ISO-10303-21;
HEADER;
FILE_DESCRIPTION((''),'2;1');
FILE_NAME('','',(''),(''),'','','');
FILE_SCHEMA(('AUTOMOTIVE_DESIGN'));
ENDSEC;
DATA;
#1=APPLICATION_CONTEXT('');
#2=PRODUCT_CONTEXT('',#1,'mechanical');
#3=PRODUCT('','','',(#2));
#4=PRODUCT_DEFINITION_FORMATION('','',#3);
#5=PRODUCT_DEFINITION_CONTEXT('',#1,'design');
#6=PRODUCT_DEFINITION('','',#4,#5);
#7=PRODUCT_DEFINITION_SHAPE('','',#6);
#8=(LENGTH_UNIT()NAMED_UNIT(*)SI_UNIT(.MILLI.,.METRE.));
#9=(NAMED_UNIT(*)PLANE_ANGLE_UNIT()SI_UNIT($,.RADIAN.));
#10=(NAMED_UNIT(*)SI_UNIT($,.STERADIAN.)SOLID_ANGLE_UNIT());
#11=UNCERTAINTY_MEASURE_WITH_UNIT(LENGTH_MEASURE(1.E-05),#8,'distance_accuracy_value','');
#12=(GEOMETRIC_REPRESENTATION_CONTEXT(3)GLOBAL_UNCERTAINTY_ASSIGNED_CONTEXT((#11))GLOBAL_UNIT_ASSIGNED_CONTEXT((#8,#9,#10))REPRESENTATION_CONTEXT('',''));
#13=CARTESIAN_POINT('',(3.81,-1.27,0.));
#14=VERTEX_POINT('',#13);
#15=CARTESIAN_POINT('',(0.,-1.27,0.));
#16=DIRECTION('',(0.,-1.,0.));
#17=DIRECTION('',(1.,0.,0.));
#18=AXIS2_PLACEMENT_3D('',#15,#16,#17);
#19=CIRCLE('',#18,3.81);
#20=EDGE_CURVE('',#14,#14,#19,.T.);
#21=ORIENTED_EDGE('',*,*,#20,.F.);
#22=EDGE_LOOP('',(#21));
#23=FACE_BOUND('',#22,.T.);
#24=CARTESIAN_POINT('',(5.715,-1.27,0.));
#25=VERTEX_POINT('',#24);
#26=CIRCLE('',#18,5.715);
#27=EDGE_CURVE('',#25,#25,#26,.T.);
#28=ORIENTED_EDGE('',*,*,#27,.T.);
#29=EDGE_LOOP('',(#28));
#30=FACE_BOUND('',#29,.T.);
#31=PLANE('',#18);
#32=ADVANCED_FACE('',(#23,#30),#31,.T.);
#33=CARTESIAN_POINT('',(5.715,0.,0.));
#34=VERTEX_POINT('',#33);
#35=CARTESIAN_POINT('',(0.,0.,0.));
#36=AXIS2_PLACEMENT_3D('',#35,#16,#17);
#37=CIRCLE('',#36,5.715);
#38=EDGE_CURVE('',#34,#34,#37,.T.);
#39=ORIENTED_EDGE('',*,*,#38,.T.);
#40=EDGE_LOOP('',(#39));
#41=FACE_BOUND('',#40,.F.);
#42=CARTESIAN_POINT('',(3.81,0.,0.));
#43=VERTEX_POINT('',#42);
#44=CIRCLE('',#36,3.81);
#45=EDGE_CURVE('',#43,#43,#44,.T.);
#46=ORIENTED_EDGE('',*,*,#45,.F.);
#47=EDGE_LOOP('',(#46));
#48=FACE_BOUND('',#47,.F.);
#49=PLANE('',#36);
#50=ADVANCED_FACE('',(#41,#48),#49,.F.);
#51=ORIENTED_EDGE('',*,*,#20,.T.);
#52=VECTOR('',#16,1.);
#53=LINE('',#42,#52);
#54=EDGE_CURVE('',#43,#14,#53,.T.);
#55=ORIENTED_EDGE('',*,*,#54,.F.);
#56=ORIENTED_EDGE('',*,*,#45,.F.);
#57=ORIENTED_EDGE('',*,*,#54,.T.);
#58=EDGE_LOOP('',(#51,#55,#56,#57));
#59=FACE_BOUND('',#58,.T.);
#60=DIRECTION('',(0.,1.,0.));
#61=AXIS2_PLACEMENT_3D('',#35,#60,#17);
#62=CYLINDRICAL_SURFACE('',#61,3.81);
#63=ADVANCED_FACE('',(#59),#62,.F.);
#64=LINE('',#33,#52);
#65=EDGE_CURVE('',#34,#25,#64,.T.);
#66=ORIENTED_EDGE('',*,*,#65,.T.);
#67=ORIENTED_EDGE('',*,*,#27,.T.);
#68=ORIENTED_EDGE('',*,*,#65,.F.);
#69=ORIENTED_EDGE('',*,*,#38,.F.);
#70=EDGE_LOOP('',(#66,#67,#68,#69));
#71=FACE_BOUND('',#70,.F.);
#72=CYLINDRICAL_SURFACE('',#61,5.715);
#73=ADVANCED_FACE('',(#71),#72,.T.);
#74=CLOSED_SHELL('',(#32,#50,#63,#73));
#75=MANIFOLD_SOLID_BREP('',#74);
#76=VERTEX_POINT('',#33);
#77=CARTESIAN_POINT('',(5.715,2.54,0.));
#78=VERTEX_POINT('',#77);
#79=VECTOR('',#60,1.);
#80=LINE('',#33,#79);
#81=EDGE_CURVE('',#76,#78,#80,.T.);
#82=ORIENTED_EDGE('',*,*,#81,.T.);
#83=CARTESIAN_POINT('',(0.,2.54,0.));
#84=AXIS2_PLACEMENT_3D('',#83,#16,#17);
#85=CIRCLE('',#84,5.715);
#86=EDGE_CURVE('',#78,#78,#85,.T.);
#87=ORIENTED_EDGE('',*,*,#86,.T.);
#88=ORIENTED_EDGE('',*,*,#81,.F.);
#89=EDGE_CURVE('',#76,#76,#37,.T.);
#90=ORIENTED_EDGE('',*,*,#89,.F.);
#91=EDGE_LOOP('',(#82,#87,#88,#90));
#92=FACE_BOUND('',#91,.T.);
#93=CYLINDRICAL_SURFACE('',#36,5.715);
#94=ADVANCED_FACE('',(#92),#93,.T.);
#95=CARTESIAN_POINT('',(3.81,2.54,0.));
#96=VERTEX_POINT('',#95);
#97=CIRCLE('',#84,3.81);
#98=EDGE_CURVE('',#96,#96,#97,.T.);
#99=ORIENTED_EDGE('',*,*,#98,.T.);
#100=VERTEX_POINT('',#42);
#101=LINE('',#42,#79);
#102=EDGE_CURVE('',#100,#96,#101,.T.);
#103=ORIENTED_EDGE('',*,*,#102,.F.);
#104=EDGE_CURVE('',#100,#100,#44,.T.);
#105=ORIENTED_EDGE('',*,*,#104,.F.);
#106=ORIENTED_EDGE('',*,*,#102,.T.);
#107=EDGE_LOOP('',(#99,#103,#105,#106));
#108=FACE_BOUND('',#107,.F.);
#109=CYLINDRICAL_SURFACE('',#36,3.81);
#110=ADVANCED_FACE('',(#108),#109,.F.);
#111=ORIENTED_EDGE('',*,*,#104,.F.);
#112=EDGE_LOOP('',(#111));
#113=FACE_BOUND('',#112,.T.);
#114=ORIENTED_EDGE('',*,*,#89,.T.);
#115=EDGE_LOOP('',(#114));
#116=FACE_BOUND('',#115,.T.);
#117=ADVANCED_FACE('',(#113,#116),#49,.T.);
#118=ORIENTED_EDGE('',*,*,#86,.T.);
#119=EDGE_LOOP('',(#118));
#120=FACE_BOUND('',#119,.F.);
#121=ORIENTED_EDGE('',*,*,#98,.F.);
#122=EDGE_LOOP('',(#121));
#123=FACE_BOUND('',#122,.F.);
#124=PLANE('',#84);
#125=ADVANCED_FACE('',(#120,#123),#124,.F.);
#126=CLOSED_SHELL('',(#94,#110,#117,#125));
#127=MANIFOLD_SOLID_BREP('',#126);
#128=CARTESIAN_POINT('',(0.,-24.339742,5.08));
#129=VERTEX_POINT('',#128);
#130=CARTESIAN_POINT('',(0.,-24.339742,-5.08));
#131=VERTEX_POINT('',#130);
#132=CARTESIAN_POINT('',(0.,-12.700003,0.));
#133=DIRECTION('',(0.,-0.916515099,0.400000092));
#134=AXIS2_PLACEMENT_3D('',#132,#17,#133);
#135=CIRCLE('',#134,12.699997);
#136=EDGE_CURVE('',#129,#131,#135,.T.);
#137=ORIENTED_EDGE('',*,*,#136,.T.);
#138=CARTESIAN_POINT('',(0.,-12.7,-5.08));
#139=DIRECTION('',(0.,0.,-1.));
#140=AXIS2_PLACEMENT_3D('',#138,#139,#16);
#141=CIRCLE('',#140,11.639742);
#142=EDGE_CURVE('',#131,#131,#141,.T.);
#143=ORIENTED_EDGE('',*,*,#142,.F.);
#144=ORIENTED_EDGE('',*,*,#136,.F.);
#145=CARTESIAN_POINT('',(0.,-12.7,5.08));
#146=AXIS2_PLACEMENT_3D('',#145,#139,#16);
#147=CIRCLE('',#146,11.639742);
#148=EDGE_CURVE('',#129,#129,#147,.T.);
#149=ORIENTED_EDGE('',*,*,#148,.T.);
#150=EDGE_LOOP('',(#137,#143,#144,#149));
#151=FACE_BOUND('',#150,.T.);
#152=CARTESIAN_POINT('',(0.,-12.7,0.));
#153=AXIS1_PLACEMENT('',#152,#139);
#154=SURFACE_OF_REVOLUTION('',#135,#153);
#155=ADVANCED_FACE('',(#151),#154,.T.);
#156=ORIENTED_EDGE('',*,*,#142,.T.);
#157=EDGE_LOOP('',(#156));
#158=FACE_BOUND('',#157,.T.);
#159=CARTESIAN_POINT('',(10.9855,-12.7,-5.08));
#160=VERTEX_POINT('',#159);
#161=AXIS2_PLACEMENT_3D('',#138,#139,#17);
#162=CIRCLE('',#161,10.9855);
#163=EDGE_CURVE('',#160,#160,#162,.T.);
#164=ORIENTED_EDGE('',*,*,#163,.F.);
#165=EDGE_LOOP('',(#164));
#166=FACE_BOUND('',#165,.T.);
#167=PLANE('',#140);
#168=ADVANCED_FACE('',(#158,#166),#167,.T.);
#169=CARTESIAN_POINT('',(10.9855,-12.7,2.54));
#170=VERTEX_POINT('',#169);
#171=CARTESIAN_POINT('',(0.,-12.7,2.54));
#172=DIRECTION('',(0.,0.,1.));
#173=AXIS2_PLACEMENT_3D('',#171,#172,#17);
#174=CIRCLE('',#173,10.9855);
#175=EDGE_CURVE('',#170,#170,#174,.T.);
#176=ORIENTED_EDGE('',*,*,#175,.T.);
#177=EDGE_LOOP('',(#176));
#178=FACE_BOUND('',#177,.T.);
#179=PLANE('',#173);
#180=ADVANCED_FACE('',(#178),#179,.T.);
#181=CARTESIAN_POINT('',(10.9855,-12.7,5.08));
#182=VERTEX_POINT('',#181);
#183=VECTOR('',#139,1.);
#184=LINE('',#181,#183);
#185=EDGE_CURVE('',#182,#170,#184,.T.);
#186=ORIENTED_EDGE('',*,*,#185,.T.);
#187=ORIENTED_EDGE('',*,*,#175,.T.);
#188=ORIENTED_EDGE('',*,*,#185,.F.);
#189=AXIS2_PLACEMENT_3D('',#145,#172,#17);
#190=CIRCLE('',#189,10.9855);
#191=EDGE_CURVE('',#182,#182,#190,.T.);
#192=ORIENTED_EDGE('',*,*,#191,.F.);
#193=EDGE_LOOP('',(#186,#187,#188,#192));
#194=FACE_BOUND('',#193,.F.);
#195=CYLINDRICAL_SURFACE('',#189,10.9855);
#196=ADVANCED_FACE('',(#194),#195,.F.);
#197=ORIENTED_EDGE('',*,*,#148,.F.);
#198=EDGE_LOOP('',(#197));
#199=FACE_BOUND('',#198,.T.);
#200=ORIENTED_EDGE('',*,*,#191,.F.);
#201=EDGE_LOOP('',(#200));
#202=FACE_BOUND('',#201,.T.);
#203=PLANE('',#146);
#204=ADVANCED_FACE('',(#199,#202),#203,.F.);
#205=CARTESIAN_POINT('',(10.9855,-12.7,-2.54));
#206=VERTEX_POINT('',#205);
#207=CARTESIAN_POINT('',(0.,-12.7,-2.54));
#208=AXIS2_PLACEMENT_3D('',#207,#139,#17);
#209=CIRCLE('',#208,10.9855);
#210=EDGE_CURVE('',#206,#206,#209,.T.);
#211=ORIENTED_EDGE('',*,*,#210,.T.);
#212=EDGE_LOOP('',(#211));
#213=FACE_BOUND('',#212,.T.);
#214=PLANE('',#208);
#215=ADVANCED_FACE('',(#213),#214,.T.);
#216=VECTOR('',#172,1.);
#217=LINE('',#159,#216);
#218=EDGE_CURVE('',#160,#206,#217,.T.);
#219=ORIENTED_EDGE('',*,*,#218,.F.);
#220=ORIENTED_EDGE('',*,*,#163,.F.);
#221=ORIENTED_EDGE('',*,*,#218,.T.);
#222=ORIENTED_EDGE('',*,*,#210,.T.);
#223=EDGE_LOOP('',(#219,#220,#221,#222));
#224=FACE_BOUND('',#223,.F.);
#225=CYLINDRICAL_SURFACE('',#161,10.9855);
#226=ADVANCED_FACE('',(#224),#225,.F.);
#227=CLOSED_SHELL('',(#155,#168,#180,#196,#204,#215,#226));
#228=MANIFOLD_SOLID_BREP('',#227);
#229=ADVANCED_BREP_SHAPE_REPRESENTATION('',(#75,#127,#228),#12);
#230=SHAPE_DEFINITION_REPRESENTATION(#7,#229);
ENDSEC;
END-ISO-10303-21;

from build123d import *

# Parameters (mm, degrees)
F2_R     = 10.9855
F3_DEPTH = 2.54
F4_R     = 10.9855
F5_DEPTH = 2.54
F6_R     = 5.715
F6_R_2   = 3.81
F7_DEPTH = 2.54
F8_R     = 5.715
F8_R_2   = 3.81
F9_DEPTH = 1.27


with BuildPart() as f1:
    # F0 (on Right) → F1 (revolve)
    with BuildSketch(Plane.YZ):
        with BuildLine():
            Line((-12.7, 5.08), (-24.339742, 5.08))
            ThreePointArc((-24.339742, 5.08), (-25.4, 0), (-24.339742, -5.08))
            Line((-24.339742, -5.08), (-12.7, -5.08))
            Line((-12.7, -5.08), (-12.7, 5.08))
        make_face()
    revolve(axis=Axis((0, -12.7, 0), (0, 0, -1)))

    # F2 (on face) → F3 (cut)
    with BuildSketch(Plane.XY.offset(5.08)):
        with Locations((0, -12.7)):
            Circle(F2_R)
    extrude(amount=-F3_DEPTH, mode=Mode.SUBTRACT)

    # F4 (on face) → F5 (cut)
    with BuildSketch(Plane(origin=(0, 0, -5.08), x_dir=(1, 0, 0), z_dir=(0, 0, -1))):
        with Locations((0, 12.7)):
            Circle(F4_R)
    extrude(amount=-F5_DEPTH, mode=Mode.SUBTRACT)


with BuildPart() as f7:
    # F6 (on Front) → F7 (new body)
    with BuildSketch(Plane.XZ):
        Circle(F6_R)
        Circle(F6_R_2, mode=Mode.SUBTRACT)
    extrude(amount=-F7_DEPTH)


with BuildPart() as f9:
    # F8 (on Front) → F9 (new body)
    with BuildSketch(Plane.XZ):
        Circle(F8_R)
        Circle(F8_R_2, mode=Mode.SUBTRACT)
    extrude(amount=F9_DEPTH)


solid = Compound([f1.part, f7.part, f9.part])
